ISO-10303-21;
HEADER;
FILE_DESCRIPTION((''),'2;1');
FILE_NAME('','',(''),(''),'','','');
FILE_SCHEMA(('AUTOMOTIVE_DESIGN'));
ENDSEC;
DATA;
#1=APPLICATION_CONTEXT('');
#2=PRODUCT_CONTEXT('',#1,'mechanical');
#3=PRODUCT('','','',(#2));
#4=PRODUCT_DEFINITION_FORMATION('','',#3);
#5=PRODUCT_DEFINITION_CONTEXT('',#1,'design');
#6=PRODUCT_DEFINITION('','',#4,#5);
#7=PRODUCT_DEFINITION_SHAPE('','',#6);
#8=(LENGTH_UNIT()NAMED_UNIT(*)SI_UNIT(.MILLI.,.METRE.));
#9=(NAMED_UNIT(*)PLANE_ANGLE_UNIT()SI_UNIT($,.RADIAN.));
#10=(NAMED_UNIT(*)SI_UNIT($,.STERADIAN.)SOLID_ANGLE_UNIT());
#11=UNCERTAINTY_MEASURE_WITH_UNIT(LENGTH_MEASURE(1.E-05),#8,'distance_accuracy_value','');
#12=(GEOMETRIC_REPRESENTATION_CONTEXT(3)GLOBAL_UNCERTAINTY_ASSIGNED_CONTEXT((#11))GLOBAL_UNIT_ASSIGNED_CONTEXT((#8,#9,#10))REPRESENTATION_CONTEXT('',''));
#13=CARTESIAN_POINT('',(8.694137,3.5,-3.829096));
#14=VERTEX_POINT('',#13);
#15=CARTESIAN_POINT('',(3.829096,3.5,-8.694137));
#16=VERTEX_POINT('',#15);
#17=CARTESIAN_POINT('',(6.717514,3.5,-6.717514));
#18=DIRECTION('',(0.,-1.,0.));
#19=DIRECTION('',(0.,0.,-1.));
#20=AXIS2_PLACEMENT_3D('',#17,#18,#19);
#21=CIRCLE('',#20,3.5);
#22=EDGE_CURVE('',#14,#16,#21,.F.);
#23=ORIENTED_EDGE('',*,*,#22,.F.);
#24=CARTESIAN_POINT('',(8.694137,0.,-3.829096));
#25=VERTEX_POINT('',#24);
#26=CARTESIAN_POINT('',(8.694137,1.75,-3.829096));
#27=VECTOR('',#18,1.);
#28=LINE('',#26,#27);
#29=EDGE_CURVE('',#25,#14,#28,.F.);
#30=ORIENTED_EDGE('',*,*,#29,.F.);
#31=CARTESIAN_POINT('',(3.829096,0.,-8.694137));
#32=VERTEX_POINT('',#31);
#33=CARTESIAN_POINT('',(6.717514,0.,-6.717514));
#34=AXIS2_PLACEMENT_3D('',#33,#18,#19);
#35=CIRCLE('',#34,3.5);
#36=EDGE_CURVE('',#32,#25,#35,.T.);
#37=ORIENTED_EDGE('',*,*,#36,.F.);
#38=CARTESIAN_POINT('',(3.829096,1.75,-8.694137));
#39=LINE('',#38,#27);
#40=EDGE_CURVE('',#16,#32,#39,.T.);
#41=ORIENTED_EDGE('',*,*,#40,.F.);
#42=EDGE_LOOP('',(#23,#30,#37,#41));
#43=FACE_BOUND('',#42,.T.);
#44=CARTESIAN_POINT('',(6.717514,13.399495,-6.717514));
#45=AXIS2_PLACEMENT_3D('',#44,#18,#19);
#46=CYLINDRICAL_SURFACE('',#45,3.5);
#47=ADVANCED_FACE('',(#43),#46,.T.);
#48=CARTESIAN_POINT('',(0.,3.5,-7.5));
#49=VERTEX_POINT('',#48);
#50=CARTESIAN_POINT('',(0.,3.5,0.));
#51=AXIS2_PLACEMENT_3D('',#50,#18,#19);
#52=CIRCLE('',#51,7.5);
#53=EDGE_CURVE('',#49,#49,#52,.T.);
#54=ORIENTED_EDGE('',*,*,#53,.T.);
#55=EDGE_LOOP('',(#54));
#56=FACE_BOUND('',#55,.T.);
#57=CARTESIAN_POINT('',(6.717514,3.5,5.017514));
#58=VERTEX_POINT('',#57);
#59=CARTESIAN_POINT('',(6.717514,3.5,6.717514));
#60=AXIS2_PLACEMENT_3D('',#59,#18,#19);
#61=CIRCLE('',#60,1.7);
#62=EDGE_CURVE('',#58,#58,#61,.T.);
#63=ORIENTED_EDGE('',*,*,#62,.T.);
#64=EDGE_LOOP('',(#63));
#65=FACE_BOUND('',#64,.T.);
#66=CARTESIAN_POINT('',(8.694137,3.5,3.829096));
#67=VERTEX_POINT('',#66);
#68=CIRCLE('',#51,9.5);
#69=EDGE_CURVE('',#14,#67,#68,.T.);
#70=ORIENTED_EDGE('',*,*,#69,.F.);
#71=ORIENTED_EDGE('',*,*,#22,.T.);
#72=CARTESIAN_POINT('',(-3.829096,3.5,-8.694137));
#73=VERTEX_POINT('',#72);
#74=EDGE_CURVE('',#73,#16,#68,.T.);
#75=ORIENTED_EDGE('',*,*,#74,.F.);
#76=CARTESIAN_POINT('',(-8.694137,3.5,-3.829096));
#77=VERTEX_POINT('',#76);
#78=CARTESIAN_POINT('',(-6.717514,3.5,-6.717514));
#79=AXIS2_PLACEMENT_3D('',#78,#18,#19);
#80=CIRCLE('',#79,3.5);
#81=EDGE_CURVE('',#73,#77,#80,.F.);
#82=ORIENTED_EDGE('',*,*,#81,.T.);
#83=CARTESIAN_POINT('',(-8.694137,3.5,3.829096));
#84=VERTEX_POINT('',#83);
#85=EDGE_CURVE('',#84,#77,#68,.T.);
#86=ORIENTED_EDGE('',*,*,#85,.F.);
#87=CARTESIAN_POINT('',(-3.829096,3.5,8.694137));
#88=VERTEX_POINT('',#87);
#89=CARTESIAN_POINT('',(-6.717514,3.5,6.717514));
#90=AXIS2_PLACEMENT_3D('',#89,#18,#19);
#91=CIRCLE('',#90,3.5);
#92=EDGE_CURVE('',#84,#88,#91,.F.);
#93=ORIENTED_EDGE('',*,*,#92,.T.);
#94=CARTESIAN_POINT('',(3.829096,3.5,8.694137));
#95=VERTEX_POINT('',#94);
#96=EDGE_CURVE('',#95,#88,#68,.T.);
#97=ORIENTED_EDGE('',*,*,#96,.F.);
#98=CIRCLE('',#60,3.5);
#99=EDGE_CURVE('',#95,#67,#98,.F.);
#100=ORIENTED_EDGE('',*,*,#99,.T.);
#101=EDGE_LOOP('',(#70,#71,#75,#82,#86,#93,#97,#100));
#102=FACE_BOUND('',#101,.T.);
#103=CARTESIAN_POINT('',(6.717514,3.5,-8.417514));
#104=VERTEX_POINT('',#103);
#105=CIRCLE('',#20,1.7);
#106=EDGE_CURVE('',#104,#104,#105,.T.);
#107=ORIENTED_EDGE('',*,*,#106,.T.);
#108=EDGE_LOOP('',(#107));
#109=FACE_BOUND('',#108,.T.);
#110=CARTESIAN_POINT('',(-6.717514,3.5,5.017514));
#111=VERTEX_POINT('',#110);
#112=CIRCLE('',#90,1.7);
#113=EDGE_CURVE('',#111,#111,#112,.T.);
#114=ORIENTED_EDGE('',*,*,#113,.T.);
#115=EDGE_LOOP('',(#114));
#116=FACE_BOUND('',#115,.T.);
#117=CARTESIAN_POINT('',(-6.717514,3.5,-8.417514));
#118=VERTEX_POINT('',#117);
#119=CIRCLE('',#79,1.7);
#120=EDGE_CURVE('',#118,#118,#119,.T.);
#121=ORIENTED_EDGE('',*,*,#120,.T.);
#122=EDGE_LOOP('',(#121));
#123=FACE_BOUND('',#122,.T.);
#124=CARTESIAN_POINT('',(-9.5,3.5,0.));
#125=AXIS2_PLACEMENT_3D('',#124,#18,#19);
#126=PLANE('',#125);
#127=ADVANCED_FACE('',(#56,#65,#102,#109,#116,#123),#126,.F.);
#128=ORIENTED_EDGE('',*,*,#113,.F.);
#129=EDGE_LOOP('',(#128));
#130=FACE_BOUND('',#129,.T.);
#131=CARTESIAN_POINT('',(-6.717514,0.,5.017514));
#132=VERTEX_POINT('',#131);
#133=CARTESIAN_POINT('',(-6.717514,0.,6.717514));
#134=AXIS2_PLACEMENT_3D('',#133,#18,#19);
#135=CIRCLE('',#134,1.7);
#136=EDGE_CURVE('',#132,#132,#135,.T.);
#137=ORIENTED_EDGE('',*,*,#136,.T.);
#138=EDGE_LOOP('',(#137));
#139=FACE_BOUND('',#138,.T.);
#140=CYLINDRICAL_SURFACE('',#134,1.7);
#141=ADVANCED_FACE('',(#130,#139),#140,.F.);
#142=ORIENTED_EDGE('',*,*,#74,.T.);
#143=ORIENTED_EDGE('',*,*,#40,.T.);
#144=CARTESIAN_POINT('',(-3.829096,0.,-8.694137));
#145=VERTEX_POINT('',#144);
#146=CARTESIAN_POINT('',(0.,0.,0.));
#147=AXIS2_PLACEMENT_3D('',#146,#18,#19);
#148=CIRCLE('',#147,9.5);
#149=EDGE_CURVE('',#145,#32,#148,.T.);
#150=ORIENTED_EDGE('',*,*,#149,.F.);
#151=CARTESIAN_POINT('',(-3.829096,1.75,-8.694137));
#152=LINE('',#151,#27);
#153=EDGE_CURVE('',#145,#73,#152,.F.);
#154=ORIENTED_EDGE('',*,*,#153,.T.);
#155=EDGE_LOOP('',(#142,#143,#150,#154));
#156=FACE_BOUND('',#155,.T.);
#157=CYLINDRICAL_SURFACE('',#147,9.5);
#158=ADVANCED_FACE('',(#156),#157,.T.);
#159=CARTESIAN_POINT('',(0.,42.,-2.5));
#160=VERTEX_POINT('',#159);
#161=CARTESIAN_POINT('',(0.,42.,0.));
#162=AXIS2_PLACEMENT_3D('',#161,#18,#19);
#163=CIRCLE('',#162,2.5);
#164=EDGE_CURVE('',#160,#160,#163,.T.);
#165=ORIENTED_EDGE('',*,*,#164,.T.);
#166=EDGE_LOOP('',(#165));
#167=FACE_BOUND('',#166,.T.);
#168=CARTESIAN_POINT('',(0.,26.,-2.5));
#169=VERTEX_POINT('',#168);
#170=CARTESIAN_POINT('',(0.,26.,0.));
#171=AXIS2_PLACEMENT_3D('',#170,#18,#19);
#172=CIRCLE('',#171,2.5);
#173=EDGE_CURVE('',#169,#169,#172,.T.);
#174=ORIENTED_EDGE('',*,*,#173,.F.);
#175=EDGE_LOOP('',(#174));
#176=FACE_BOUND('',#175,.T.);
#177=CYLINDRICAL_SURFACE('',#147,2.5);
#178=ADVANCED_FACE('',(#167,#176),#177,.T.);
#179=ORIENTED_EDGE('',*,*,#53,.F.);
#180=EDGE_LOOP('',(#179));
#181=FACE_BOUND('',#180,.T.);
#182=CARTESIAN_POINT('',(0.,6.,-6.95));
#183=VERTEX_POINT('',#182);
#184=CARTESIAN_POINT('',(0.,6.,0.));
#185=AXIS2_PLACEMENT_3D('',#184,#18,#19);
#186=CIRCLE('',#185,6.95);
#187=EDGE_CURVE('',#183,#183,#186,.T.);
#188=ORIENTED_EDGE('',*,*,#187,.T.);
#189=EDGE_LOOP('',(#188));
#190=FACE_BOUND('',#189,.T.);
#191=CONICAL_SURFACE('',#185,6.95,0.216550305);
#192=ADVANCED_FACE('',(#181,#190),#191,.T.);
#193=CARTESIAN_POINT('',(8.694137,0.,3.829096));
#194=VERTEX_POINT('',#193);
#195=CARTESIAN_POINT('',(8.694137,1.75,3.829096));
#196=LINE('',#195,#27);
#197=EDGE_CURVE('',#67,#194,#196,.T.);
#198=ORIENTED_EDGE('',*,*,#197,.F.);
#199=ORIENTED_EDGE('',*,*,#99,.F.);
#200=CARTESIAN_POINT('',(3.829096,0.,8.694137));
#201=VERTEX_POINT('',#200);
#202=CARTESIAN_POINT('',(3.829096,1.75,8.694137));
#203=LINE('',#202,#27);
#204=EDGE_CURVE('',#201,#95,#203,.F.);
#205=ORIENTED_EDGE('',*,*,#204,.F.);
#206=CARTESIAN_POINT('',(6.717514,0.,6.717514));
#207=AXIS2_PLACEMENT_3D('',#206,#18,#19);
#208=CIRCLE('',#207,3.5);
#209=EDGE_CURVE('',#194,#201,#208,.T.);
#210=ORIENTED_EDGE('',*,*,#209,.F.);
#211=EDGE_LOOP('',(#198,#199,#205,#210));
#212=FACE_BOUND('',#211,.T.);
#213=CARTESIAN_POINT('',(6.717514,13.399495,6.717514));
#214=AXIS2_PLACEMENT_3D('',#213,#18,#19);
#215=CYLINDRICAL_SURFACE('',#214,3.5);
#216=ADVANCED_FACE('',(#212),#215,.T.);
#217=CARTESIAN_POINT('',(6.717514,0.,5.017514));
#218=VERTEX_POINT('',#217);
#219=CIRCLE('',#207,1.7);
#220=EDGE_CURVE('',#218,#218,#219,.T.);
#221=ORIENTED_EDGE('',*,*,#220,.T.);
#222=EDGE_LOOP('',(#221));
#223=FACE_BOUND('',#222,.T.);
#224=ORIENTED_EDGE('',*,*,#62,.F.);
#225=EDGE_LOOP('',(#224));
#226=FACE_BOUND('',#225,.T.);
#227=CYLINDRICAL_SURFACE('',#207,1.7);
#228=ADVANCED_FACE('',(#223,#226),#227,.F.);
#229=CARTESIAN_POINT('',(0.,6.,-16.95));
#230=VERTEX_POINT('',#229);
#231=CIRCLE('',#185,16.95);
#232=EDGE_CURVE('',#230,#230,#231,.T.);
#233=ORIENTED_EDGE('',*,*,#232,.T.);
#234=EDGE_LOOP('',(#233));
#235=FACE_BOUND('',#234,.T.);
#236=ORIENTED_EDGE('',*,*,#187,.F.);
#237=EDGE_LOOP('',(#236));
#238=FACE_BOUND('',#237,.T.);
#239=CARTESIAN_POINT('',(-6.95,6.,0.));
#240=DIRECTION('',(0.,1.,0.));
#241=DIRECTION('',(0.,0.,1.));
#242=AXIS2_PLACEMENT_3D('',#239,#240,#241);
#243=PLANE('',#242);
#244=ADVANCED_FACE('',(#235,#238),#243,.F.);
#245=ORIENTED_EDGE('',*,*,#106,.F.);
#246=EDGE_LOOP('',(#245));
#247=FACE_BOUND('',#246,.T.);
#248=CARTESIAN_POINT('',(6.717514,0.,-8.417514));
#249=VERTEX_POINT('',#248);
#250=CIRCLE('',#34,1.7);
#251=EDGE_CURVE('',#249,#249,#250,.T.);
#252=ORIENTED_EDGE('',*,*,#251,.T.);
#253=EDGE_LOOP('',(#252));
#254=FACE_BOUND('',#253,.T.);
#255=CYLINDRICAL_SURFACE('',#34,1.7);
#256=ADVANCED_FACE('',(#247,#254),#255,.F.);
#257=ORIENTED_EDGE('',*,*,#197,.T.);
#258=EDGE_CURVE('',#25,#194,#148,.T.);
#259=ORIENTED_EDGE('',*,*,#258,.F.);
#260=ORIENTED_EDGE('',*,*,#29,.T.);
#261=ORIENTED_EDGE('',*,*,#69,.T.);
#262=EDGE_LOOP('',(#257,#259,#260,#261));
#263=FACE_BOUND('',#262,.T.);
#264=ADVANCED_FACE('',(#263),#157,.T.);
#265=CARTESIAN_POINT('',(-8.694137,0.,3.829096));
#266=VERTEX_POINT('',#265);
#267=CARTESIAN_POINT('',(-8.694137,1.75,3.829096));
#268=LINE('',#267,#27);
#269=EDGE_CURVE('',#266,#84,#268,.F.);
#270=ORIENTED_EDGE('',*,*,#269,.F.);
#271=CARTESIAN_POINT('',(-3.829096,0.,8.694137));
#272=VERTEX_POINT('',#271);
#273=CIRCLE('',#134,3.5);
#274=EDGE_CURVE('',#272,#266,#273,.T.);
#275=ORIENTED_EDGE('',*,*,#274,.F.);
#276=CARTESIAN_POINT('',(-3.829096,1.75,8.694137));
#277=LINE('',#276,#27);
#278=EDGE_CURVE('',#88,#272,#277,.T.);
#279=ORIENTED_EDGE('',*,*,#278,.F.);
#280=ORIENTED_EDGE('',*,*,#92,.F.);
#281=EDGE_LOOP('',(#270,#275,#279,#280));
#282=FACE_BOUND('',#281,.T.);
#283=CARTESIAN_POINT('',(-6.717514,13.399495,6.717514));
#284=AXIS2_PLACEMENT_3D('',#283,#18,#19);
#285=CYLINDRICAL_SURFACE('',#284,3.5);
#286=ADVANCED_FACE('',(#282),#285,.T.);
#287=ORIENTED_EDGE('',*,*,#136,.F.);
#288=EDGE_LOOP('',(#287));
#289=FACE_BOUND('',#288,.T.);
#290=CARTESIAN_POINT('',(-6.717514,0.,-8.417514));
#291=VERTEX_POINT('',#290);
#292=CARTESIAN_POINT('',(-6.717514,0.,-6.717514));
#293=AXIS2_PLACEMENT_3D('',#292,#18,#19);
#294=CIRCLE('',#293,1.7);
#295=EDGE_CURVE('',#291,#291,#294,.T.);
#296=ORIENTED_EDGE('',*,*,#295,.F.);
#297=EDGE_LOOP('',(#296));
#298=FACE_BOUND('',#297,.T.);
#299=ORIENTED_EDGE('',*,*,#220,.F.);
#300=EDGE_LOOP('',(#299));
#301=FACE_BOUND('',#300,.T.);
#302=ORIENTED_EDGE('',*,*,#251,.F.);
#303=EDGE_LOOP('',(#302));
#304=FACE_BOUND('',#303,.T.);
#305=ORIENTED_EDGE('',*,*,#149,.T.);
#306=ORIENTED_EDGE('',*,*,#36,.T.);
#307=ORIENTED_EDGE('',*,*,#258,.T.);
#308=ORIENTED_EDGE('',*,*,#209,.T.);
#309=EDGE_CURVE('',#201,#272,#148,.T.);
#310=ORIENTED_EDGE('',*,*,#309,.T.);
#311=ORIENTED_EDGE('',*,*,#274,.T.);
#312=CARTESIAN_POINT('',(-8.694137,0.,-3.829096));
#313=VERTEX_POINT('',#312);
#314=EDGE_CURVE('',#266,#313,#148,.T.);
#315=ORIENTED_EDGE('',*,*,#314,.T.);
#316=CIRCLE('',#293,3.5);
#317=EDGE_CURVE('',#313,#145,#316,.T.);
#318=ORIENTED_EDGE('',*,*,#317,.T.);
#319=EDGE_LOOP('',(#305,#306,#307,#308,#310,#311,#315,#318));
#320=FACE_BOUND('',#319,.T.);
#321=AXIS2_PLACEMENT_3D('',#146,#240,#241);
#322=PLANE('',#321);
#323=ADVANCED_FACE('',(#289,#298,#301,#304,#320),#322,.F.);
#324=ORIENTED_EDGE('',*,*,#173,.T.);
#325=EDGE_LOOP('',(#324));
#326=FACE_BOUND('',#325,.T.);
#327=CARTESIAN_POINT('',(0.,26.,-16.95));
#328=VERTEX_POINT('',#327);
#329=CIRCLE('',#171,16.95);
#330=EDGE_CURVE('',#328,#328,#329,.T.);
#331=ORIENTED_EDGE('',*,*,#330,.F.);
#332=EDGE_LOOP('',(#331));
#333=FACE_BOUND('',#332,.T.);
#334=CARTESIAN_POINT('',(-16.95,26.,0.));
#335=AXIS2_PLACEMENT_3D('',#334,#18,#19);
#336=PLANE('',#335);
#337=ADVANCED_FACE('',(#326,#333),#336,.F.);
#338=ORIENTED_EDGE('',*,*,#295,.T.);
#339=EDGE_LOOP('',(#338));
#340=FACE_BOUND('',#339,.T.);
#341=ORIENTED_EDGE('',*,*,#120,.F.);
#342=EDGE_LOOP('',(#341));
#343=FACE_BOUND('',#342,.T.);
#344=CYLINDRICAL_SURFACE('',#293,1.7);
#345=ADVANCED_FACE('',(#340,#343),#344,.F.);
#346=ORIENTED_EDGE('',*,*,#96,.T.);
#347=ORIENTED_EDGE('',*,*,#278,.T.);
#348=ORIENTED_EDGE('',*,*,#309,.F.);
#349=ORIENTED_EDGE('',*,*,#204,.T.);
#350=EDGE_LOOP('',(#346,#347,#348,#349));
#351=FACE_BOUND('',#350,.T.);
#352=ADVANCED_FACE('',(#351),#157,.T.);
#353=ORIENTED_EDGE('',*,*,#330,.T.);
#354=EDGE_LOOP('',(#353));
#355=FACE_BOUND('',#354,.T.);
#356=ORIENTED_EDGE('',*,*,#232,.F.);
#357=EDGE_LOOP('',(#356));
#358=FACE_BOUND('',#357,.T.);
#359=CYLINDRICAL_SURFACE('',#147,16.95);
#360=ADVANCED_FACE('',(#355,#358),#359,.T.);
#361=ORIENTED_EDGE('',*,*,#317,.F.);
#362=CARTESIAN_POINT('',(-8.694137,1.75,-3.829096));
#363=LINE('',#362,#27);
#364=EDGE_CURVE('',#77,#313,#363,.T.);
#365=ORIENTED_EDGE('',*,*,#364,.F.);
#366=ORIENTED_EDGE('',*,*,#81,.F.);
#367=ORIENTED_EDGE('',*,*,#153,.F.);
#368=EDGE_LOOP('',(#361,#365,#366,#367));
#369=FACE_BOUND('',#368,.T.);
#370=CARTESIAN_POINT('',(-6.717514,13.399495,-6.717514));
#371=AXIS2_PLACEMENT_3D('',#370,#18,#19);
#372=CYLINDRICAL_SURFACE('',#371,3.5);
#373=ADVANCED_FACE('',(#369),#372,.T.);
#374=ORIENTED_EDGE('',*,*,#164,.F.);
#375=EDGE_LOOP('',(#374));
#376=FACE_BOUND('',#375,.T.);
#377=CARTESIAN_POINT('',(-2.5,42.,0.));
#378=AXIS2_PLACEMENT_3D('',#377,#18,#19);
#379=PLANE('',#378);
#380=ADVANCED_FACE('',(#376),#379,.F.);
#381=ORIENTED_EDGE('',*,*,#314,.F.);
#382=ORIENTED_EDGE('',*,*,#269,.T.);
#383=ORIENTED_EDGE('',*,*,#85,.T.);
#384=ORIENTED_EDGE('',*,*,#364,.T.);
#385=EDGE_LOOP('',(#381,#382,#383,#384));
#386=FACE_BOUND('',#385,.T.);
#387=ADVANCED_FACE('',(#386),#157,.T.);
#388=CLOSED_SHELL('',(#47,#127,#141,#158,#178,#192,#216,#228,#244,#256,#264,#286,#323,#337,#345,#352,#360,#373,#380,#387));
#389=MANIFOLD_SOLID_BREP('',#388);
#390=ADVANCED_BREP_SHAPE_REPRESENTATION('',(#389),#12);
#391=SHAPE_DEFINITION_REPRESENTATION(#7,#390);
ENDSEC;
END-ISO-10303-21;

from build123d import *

# Parameters (mm, degrees)
ESQUISSE2_R          = 3.5
BOSS_EXTRU_1_DEPTH   = 3.5
D_GAGEMENT_M31_D     = 3.4
D_GAGEMENT_M31_DEPTH = 3.5


with BuildPart() as part:
    # Esquisse1 → Révolution1 (revolve)
    with BuildSketch(Plane.XY, mode=Mode.PRIVATE) as r_volution1_sk:
        Polygon((0, 0), (-9.5, 0), (-9.5, 3.5), (-7.5, 3.5), (-6.95, 6), (-16.95, 6), (-16.95, 26), (-2.5, 26), (-2.5, 42), (0, 42), align=None)
    revolve(r_volution1_sk.sketch.rotate(Axis((0, 0, 0), (0, 1, 0)), 270), axis=Axis((0, 0, 0), (0, 1, 0)))

    # Esquisse2 → Boss.-Extru.1 (add)
    with BuildSketch(Plane(origin=(0, 0, 0), x_dir=(-1, 0, 0), z_dir=(0, -1, 0))):
        with Locations((6.717514421, -6.717514421)):
            Circle(ESQUISSE2_R)
        with Locations((-6.717514421, -6.717514421)):
            Circle(ESQUISSE2_R)
        with Locations((-6.717514421, 6.717514421)):
            Circle(ESQUISSE2_R)
        with Locations((6.717514421, 6.717514421)):
            Circle(ESQUISSE2_R)
    extrude(amount=-BOSS_EXTRU_1_DEPTH)

    # Dégagement M31
    with Locations(Plane(origin=(-6.717514421, 0, 6.717514421), x_dir=(0, 0, -1), z_dir=(0, -1, 0))):
        with Locations((0, 0), (0, 13.435028842), (13.435028842, 13.435028842), (13.435028842, 0)):
            Hole(D_GAGEMENT_M31_D / 2, depth=D_GAGEMENT_M31_DEPTH)


solid = part.part
